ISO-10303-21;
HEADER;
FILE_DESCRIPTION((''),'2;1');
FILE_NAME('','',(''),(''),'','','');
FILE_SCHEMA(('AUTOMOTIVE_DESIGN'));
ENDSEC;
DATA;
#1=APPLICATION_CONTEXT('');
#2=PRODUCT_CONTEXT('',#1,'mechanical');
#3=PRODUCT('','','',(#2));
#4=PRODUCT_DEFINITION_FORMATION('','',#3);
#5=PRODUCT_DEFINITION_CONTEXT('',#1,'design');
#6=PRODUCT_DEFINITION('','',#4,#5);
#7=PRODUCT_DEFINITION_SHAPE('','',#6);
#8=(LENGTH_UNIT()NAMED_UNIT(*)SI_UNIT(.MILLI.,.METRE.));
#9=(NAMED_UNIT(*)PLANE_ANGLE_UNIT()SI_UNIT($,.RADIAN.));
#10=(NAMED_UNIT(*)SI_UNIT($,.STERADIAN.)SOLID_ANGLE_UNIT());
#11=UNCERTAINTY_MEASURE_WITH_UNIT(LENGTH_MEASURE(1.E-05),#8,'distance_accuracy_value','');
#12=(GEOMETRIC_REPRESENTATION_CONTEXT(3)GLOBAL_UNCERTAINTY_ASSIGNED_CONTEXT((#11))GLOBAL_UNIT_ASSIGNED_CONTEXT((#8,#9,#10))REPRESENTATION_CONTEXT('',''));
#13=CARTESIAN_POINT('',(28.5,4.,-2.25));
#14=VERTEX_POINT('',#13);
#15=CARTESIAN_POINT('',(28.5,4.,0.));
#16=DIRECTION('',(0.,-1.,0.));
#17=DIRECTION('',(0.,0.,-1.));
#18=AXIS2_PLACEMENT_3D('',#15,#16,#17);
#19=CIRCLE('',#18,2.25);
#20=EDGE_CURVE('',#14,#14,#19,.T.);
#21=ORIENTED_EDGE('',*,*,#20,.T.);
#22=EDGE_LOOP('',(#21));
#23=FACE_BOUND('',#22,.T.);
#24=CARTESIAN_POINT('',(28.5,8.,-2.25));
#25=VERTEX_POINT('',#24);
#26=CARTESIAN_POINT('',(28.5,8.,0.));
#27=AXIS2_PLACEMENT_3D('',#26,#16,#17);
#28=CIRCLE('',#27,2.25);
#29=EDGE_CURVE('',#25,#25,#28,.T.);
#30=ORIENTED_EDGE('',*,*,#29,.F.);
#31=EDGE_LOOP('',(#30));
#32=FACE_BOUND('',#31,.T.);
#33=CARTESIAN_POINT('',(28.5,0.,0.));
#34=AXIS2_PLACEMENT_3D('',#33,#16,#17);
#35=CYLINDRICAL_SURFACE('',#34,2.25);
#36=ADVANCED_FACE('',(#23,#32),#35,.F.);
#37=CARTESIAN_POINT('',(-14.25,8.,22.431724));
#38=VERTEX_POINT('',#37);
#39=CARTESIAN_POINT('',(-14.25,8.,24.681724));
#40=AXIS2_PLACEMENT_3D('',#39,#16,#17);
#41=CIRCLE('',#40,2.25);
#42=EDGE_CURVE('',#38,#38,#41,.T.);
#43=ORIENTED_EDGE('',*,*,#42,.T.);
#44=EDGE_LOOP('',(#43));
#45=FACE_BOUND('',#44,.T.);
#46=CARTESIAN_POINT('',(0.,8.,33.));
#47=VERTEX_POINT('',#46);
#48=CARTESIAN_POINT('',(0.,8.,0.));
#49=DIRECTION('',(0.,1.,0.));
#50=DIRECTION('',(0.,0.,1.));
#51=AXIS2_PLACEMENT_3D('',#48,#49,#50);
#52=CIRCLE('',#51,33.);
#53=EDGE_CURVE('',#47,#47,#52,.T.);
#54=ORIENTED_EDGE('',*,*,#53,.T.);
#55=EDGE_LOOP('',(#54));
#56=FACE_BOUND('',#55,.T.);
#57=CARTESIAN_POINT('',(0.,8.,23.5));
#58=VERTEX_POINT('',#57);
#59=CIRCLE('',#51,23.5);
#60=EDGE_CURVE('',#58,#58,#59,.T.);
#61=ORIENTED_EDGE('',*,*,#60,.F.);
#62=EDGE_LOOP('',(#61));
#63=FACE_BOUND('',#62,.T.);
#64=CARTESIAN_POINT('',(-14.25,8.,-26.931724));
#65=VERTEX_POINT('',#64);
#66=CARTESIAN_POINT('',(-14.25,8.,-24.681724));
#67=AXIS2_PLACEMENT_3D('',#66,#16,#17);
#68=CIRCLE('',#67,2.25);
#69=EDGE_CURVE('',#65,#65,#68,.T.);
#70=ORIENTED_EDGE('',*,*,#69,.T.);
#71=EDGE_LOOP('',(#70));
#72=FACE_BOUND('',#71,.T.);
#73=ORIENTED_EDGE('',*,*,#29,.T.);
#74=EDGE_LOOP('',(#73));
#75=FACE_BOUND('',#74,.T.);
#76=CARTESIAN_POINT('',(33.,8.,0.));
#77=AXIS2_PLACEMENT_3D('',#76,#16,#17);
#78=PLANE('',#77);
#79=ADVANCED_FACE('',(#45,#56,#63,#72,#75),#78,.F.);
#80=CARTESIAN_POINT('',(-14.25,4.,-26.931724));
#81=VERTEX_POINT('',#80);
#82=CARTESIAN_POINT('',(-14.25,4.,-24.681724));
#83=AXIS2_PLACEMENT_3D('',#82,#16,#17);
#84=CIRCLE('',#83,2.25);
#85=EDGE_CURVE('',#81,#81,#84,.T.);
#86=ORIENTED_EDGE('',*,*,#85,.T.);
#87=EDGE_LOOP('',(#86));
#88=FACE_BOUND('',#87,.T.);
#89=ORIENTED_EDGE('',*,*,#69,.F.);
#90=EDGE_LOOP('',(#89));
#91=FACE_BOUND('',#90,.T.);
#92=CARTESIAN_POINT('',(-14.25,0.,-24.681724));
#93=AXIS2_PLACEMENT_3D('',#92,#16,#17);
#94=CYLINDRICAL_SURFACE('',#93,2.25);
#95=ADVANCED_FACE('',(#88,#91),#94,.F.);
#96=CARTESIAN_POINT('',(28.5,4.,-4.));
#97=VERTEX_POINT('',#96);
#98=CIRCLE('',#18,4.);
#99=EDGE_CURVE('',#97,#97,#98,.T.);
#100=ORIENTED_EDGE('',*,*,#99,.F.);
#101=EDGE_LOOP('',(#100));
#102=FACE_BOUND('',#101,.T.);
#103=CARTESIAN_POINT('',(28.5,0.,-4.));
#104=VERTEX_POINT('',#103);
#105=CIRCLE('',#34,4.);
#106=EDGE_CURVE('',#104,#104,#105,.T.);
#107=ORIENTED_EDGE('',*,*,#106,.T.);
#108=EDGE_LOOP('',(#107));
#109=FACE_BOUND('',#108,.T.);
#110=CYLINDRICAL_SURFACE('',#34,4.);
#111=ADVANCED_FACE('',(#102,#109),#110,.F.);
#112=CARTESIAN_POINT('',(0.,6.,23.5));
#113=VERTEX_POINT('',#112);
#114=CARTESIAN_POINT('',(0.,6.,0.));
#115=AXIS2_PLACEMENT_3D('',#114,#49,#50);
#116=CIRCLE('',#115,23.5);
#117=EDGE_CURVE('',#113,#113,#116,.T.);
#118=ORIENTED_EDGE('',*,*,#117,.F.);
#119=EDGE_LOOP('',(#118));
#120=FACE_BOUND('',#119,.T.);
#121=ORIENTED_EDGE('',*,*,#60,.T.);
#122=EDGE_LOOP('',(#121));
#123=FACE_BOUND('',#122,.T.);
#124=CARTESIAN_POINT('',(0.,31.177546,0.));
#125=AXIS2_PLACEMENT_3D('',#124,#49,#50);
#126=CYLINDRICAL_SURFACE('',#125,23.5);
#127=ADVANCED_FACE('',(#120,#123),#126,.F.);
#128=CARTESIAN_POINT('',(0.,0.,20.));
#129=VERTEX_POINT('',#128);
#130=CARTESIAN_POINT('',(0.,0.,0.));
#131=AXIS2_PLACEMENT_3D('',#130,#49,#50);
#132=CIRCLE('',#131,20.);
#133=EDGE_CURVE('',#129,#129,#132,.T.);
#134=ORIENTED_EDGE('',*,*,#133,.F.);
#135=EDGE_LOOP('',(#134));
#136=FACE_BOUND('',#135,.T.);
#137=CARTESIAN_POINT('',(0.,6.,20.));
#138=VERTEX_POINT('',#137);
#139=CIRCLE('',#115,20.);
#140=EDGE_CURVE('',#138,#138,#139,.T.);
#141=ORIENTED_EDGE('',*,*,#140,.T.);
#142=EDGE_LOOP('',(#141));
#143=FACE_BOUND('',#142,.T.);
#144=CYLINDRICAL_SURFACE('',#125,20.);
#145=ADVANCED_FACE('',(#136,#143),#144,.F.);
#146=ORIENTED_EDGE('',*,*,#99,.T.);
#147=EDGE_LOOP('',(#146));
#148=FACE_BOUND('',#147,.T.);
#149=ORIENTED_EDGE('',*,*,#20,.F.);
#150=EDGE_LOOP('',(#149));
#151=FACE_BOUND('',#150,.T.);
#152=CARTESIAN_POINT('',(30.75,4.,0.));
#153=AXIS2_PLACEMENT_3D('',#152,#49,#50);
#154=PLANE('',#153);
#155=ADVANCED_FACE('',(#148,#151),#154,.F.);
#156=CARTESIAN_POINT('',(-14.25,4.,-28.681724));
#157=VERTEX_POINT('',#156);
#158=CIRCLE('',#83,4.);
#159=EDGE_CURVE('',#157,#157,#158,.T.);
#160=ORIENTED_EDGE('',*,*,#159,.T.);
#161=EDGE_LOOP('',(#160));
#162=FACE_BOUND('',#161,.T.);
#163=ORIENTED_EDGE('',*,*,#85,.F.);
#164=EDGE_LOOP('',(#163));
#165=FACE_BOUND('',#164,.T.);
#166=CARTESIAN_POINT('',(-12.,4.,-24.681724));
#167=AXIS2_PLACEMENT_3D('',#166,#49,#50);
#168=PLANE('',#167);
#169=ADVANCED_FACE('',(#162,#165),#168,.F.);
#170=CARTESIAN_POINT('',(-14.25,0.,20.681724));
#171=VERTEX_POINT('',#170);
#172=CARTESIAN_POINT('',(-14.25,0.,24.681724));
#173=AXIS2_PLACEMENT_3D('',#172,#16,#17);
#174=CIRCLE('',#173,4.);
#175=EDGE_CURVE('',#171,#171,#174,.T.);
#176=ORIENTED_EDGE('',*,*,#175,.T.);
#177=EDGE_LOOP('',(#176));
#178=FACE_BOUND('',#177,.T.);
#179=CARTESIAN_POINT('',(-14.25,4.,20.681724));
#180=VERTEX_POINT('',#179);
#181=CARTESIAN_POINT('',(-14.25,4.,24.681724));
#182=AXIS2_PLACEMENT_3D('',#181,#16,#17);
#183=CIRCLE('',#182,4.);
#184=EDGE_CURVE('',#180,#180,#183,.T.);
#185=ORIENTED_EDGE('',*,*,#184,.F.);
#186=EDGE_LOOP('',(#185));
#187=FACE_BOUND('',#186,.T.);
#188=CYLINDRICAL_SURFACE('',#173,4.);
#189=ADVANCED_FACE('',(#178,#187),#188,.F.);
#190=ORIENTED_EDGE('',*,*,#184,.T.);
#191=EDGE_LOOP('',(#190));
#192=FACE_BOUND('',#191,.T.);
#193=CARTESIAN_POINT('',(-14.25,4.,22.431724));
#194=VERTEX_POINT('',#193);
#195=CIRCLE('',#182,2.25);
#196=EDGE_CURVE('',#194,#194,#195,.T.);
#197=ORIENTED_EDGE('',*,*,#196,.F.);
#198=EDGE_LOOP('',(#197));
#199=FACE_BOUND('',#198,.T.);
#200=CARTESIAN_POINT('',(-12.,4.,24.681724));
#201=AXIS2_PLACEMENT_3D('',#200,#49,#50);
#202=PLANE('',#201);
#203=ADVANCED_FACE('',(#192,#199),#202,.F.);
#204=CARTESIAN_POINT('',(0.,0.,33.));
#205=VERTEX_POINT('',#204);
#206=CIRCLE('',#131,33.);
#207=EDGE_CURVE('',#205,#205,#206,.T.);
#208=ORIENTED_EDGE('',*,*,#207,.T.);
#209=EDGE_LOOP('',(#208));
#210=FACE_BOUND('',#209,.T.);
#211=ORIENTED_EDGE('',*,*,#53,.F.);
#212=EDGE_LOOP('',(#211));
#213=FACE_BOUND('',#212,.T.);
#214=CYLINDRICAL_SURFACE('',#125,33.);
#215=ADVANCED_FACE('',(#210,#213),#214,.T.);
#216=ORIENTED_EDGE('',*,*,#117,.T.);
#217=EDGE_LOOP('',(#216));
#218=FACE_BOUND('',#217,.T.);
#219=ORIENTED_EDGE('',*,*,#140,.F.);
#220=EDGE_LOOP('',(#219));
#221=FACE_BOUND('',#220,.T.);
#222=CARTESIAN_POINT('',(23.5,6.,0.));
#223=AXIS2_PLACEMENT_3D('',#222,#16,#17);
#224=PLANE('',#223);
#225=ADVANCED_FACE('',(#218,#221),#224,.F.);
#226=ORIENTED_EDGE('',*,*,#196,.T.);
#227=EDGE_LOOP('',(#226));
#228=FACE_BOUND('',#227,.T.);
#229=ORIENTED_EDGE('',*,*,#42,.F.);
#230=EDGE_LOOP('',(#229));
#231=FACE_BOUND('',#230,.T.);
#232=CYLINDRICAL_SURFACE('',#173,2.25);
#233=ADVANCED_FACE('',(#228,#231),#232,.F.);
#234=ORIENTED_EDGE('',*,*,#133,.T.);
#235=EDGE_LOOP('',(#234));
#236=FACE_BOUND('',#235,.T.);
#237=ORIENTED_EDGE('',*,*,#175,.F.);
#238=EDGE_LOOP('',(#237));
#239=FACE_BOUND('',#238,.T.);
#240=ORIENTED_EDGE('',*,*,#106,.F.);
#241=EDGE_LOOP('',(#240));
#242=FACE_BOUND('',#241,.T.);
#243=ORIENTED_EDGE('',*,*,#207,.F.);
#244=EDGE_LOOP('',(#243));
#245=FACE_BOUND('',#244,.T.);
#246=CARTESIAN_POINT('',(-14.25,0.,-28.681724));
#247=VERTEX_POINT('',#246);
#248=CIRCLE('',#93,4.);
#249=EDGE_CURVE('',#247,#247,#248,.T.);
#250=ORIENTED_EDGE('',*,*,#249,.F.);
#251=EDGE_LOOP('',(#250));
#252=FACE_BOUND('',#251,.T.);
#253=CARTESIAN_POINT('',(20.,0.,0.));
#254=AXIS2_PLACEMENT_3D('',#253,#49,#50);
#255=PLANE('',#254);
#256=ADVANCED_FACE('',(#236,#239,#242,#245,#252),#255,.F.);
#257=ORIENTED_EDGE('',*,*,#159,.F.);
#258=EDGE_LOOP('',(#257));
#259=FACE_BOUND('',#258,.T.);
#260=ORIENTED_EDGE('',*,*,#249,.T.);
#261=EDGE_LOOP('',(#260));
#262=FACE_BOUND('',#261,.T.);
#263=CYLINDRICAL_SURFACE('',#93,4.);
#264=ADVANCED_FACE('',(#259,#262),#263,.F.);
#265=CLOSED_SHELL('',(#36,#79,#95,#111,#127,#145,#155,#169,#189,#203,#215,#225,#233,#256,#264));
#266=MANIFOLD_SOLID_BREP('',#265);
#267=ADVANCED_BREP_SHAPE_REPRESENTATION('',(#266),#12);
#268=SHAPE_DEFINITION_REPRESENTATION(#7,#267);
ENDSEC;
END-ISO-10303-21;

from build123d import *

# Parameters (mm, degrees)
CHAMBRAGE_POUR_VIS_T_TE_CYLINDRIQUE_D           = 4.5
CHAMBRAGE_POUR_VIS_T_TE_CYLINDRIQUE_CBORE_D     = 8
CHAMBRAGE_POUR_VIS_T_TE_CYLINDRIQUE_CBORE_DEPTH = 4
R_P_TITION_CIRCULAIRE1_COUNT                    = 3


with BuildPart() as part:
    # Esquisse1 → Révolution1 (revolve)
    with BuildSketch(Plane.XY, mode=Mode.PRIVATE) as r_volution1_sk:
        Polygon((20, 6), (20, 0), (33, 0), (33, 8), (23.5, 8), (23.5, 6), align=None)
    revolve(r_volution1_sk.sketch.rotate(Axis((0, 31.17754591, 0), (0, -1, 0)), 90), axis=Axis((0, 31.17754591, 0), (0, -1, 0)))

    # Chambrage pour vis à tête cylindrique à 6 pans creux (ou vis CHC) M41 (through all)
    with Locations(Plane.XZ):
        with Locations((28.5, 0)):
            chambrage_pour_vis_t_te_cylindrique = CounterBoreHole(CHAMBRAGE_POUR_VIS_T_TE_CYLINDRIQUE_D / 2, CHAMBRAGE_POUR_VIS_T_TE_CYLINDRIQUE_CBORE_D / 2, CHAMBRAGE_POUR_VIS_T_TE_CYLINDRIQUE_CBORE_DEPTH)

    # Répétition circulaire1: Chambrage pour vis à tête cylindrique à 6 pans creux (ou vis CHC) M41 ×3 about axis
    r_p_tition_circulaire1_axis = Axis((0, 0, 0), (0, 1, 0))
    for i in range(1, R_P_TITION_CIRCULAIRE1_COUNT):
        add(chambrage_pour_vis_t_te_cylindrique.rotate(r_p_tition_circulaire1_axis, i * 360 / R_P_TITION_CIRCULAIRE1_COUNT), mode=Mode.SUBTRACT)


solid = part.part
